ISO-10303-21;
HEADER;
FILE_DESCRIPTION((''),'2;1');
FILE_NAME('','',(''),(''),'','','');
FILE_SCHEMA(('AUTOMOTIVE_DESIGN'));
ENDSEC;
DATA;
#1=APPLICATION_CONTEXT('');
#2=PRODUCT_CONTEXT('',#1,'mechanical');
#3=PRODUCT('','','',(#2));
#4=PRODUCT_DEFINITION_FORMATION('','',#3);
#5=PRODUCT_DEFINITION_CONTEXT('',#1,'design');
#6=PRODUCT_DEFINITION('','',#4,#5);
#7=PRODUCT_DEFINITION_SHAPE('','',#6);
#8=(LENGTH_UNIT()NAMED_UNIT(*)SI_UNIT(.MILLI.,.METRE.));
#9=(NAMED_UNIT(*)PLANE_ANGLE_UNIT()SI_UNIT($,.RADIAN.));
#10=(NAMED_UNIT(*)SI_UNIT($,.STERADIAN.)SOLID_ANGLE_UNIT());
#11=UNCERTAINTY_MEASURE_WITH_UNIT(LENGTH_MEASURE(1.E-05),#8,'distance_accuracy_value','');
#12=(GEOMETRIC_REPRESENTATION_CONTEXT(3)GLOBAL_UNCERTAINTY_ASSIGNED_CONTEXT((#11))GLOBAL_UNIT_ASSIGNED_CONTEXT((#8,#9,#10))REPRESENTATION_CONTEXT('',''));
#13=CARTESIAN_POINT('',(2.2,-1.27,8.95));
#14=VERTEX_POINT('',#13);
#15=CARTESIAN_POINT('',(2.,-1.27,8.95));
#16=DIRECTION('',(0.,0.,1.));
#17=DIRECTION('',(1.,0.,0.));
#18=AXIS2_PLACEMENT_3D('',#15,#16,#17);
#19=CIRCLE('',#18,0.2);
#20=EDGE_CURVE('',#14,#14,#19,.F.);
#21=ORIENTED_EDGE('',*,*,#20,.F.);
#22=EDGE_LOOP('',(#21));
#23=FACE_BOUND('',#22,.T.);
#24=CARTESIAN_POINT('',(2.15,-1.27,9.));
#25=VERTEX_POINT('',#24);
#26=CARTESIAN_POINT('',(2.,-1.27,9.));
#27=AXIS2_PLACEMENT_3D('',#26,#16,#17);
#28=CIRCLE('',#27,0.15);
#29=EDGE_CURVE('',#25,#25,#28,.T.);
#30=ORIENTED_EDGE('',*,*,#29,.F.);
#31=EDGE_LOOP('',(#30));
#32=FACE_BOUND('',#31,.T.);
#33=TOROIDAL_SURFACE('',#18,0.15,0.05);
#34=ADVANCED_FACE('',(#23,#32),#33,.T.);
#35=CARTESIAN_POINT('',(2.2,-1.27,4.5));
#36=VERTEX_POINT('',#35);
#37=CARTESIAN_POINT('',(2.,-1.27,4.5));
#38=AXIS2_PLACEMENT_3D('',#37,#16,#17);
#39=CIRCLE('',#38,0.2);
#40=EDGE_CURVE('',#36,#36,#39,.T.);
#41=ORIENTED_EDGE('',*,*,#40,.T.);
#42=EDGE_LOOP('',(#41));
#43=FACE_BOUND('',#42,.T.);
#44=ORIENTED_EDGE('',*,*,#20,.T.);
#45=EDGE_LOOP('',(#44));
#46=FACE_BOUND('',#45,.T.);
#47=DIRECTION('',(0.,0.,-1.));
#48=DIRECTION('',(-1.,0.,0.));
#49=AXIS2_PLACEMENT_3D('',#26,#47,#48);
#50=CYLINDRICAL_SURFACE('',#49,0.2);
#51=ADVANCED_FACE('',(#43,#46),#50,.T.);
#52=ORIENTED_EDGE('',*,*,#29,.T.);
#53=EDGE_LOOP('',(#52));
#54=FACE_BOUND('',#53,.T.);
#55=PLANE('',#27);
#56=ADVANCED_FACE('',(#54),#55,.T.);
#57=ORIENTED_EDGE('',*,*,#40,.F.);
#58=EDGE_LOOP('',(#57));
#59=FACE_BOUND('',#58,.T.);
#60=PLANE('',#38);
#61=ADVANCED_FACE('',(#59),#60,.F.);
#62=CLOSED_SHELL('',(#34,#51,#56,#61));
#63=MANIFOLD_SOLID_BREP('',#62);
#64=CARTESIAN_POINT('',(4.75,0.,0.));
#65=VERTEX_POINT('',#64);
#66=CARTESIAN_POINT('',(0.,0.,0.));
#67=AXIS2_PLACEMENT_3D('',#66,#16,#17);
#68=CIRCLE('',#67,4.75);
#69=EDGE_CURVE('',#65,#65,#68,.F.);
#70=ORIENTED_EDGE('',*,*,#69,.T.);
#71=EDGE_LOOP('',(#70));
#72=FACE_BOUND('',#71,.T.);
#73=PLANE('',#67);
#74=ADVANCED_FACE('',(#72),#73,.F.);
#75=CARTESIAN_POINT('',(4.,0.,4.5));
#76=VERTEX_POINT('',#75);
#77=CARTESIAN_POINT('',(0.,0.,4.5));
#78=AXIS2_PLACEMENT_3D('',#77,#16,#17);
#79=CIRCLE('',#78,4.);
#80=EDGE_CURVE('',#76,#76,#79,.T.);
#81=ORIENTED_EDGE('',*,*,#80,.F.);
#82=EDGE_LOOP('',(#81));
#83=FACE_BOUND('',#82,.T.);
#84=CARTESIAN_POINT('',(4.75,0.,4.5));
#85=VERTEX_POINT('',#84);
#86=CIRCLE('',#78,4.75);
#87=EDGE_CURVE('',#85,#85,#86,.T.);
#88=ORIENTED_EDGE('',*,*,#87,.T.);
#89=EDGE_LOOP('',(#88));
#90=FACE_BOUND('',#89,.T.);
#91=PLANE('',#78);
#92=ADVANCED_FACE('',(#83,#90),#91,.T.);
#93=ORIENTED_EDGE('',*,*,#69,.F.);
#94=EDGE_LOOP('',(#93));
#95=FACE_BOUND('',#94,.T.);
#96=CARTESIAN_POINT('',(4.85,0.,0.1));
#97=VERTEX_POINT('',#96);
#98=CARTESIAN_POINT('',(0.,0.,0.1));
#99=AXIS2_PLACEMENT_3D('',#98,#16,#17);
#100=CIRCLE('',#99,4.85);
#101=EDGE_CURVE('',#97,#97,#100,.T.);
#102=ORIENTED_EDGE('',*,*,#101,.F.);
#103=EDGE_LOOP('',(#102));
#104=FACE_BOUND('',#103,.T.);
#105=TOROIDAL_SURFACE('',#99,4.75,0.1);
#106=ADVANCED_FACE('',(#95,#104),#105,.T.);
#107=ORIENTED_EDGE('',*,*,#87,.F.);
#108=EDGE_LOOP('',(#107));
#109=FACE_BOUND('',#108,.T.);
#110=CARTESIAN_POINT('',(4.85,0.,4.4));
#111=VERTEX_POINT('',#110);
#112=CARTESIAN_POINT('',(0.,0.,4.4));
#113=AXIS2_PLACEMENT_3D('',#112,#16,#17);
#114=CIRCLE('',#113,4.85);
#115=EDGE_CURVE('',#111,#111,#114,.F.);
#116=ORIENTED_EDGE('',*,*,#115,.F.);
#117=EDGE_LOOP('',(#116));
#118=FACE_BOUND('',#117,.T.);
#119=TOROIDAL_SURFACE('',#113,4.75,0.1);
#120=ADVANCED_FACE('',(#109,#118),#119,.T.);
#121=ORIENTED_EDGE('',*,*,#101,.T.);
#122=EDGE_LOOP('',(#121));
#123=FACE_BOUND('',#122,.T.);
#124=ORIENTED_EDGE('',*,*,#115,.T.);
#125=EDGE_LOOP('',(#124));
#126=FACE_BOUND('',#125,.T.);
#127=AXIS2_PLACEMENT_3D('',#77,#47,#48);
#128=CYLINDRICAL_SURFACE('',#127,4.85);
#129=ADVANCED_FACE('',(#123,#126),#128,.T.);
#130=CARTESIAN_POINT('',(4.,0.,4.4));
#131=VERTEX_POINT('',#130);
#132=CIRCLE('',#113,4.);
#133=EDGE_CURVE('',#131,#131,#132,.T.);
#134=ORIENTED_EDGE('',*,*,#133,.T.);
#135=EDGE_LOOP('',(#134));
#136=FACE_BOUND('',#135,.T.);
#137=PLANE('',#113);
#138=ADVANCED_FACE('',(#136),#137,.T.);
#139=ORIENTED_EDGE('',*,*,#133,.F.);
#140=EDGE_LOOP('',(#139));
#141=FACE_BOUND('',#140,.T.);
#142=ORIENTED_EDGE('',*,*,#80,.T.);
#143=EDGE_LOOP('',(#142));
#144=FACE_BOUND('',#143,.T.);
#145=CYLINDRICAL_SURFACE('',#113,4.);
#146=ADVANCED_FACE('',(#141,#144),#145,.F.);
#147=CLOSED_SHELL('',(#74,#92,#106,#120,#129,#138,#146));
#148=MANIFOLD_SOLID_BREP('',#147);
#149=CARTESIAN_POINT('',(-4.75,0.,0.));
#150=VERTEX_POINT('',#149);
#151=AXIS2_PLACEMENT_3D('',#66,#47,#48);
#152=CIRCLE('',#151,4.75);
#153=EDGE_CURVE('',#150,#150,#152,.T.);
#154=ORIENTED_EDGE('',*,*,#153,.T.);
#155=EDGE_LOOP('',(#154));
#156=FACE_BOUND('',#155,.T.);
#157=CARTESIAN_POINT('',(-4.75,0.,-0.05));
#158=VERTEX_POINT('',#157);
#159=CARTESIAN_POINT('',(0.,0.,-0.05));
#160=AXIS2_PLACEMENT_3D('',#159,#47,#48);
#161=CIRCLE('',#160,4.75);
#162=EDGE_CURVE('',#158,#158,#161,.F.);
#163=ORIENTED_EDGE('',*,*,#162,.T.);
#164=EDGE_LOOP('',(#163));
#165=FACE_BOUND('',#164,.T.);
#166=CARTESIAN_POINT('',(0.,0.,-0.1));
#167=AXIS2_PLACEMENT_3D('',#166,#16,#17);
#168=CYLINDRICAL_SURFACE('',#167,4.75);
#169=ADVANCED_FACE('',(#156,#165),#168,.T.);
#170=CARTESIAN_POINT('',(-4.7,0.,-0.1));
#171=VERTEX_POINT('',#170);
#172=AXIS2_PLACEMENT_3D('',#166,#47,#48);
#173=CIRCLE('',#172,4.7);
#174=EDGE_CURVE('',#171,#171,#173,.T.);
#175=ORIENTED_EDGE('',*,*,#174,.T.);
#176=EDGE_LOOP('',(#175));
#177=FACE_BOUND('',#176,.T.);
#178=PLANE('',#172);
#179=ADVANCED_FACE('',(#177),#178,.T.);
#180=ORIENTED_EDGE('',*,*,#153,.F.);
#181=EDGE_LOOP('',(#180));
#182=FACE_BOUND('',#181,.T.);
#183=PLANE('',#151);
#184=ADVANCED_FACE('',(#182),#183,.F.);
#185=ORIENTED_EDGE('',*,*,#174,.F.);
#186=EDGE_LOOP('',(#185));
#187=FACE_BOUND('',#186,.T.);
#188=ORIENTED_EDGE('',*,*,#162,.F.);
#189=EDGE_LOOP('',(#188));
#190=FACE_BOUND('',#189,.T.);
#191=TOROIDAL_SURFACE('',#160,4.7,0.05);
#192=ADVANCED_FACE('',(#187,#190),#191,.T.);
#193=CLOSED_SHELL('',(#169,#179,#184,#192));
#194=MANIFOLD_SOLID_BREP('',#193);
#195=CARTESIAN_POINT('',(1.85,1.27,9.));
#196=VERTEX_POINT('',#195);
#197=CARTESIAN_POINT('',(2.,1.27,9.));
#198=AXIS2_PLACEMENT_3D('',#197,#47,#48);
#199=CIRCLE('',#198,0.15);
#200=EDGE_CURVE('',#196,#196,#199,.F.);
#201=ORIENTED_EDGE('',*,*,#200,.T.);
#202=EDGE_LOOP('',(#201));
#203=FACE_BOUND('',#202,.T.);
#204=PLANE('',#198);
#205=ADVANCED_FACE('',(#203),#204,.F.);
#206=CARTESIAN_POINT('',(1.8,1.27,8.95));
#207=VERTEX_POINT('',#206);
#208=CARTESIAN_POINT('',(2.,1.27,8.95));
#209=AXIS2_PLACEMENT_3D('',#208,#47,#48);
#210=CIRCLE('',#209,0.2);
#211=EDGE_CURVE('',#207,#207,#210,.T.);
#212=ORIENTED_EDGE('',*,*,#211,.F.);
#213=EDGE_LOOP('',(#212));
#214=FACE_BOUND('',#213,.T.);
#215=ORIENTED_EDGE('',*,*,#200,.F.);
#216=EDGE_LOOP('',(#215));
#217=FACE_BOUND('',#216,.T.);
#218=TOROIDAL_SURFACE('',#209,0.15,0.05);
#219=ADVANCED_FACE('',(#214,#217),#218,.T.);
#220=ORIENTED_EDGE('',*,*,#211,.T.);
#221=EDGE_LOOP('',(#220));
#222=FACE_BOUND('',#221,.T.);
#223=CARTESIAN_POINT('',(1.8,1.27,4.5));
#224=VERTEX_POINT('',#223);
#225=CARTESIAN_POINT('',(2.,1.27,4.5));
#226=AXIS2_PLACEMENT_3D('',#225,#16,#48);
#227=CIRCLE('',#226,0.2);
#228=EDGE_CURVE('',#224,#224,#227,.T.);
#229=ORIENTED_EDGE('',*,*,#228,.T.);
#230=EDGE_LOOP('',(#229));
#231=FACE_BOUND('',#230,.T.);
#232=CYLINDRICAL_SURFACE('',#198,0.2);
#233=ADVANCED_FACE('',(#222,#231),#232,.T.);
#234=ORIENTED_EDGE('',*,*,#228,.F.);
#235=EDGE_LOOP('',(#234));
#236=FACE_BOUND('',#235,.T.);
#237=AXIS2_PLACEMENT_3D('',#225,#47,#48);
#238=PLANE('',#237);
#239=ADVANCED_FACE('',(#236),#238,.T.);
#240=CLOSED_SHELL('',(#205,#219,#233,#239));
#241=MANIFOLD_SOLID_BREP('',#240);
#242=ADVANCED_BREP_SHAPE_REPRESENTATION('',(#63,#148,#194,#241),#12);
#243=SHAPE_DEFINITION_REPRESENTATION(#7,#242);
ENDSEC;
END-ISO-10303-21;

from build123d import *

# Parameters (mm, degrees)
SKETCH1_R             = 4.85
BOSS_EXTRUDE1_DEPTH   = 4.5
SKETCH3_R             = 0.2
BOSS_EXTRUDE2_DEPTH   = 4.5
BOSS_EXTRUDE2_2_DEPTH = 4.5
FILLET1_R             = 0.1
SKETCH4_R             = 4.75
BOSS_EXTRUDE3_DEPTH   = 0.1
FILLET2_R             = 0.05
SKETCH6_R             = 4
CUT_EXTRUDE1_DEPTH    = 0.1
FILLET3_R             = 0.05
FILLET4_R             = 0.05


with BuildPart() as part:
    # Sketch1 → Boss-Extrude1 (new body)
    with BuildSketch(Plane.XY):
        Circle(SKETCH1_R)
    extrude(amount=BOSS_EXTRUDE1_DEPTH)

    # Fillet1
    fillet1_edges = [part.edges().sort_by_distance(p)[0] for p in [
        (-4.85, 0, 0),
        (-4.85, 0, 4.5),
    ]]
    fillet(fillet1_edges, radius=FILLET1_R)

    # Sketch6 → Cut-Extrude1 (cut)
    with BuildSketch(Plane.XY.offset(4.5)):
        Circle(SKETCH6_R)
    extrude(amount=-CUT_EXTRUDE1_DEPTH, mode=Mode.SUBTRACT)


with BuildPart() as body_2:
    # Sketch3 → Boss-Extrude2 (new body)
    with BuildSketch(Plane.XY.offset(4.5)):
        with Locations((2, -1.27)):
            Circle(SKETCH3_R)
    extrude(amount=BOSS_EXTRUDE2_DEPTH)

    # Fillet3
    fillet3_edges = [body_2.edges().sort_by_distance(p)[0] for p in [
        (1.8, -1.27, 9),
    ]]
    fillet(fillet3_edges, radius=FILLET3_R)


with BuildPart() as body_3:
    # Sketch3 → Boss-Extrude2 2 (new body)
    with BuildSketch(Plane.XY.offset(4.5)):
        with Locations((2, 1.27)):
            Circle(SKETCH3_R)
    extrude(amount=BOSS_EXTRUDE2_2_DEPTH)

    # Fillet4
    fillet4_edges = [body_3.edges().sort_by_distance(p)[0] for p in [
        (1.8, 1.27, 9),
    ]]
    fillet(fillet4_edges, radius=FILLET4_R)


with BuildPart() as body_4:
    # Sketch4 → Boss-Extrude3 (new body)
    with BuildSketch(Plane(origin=(0, 0, 0), x_dir=(-1, 0, 0), z_dir=(0, 0, -1))):
        Circle(SKETCH4_R)
    extrude(amount=BOSS_EXTRUDE3_DEPTH)

    # Fillet2
    fillet2_edges = [body_4.edges().sort_by_distance(p)[0] for p in [
        (4.75, 0, -0.1),
    ]]
    fillet(fillet2_edges, radius=FILLET2_R)


solid = Compound([part.part, body_2.part, body_3.part, body_4.part])
